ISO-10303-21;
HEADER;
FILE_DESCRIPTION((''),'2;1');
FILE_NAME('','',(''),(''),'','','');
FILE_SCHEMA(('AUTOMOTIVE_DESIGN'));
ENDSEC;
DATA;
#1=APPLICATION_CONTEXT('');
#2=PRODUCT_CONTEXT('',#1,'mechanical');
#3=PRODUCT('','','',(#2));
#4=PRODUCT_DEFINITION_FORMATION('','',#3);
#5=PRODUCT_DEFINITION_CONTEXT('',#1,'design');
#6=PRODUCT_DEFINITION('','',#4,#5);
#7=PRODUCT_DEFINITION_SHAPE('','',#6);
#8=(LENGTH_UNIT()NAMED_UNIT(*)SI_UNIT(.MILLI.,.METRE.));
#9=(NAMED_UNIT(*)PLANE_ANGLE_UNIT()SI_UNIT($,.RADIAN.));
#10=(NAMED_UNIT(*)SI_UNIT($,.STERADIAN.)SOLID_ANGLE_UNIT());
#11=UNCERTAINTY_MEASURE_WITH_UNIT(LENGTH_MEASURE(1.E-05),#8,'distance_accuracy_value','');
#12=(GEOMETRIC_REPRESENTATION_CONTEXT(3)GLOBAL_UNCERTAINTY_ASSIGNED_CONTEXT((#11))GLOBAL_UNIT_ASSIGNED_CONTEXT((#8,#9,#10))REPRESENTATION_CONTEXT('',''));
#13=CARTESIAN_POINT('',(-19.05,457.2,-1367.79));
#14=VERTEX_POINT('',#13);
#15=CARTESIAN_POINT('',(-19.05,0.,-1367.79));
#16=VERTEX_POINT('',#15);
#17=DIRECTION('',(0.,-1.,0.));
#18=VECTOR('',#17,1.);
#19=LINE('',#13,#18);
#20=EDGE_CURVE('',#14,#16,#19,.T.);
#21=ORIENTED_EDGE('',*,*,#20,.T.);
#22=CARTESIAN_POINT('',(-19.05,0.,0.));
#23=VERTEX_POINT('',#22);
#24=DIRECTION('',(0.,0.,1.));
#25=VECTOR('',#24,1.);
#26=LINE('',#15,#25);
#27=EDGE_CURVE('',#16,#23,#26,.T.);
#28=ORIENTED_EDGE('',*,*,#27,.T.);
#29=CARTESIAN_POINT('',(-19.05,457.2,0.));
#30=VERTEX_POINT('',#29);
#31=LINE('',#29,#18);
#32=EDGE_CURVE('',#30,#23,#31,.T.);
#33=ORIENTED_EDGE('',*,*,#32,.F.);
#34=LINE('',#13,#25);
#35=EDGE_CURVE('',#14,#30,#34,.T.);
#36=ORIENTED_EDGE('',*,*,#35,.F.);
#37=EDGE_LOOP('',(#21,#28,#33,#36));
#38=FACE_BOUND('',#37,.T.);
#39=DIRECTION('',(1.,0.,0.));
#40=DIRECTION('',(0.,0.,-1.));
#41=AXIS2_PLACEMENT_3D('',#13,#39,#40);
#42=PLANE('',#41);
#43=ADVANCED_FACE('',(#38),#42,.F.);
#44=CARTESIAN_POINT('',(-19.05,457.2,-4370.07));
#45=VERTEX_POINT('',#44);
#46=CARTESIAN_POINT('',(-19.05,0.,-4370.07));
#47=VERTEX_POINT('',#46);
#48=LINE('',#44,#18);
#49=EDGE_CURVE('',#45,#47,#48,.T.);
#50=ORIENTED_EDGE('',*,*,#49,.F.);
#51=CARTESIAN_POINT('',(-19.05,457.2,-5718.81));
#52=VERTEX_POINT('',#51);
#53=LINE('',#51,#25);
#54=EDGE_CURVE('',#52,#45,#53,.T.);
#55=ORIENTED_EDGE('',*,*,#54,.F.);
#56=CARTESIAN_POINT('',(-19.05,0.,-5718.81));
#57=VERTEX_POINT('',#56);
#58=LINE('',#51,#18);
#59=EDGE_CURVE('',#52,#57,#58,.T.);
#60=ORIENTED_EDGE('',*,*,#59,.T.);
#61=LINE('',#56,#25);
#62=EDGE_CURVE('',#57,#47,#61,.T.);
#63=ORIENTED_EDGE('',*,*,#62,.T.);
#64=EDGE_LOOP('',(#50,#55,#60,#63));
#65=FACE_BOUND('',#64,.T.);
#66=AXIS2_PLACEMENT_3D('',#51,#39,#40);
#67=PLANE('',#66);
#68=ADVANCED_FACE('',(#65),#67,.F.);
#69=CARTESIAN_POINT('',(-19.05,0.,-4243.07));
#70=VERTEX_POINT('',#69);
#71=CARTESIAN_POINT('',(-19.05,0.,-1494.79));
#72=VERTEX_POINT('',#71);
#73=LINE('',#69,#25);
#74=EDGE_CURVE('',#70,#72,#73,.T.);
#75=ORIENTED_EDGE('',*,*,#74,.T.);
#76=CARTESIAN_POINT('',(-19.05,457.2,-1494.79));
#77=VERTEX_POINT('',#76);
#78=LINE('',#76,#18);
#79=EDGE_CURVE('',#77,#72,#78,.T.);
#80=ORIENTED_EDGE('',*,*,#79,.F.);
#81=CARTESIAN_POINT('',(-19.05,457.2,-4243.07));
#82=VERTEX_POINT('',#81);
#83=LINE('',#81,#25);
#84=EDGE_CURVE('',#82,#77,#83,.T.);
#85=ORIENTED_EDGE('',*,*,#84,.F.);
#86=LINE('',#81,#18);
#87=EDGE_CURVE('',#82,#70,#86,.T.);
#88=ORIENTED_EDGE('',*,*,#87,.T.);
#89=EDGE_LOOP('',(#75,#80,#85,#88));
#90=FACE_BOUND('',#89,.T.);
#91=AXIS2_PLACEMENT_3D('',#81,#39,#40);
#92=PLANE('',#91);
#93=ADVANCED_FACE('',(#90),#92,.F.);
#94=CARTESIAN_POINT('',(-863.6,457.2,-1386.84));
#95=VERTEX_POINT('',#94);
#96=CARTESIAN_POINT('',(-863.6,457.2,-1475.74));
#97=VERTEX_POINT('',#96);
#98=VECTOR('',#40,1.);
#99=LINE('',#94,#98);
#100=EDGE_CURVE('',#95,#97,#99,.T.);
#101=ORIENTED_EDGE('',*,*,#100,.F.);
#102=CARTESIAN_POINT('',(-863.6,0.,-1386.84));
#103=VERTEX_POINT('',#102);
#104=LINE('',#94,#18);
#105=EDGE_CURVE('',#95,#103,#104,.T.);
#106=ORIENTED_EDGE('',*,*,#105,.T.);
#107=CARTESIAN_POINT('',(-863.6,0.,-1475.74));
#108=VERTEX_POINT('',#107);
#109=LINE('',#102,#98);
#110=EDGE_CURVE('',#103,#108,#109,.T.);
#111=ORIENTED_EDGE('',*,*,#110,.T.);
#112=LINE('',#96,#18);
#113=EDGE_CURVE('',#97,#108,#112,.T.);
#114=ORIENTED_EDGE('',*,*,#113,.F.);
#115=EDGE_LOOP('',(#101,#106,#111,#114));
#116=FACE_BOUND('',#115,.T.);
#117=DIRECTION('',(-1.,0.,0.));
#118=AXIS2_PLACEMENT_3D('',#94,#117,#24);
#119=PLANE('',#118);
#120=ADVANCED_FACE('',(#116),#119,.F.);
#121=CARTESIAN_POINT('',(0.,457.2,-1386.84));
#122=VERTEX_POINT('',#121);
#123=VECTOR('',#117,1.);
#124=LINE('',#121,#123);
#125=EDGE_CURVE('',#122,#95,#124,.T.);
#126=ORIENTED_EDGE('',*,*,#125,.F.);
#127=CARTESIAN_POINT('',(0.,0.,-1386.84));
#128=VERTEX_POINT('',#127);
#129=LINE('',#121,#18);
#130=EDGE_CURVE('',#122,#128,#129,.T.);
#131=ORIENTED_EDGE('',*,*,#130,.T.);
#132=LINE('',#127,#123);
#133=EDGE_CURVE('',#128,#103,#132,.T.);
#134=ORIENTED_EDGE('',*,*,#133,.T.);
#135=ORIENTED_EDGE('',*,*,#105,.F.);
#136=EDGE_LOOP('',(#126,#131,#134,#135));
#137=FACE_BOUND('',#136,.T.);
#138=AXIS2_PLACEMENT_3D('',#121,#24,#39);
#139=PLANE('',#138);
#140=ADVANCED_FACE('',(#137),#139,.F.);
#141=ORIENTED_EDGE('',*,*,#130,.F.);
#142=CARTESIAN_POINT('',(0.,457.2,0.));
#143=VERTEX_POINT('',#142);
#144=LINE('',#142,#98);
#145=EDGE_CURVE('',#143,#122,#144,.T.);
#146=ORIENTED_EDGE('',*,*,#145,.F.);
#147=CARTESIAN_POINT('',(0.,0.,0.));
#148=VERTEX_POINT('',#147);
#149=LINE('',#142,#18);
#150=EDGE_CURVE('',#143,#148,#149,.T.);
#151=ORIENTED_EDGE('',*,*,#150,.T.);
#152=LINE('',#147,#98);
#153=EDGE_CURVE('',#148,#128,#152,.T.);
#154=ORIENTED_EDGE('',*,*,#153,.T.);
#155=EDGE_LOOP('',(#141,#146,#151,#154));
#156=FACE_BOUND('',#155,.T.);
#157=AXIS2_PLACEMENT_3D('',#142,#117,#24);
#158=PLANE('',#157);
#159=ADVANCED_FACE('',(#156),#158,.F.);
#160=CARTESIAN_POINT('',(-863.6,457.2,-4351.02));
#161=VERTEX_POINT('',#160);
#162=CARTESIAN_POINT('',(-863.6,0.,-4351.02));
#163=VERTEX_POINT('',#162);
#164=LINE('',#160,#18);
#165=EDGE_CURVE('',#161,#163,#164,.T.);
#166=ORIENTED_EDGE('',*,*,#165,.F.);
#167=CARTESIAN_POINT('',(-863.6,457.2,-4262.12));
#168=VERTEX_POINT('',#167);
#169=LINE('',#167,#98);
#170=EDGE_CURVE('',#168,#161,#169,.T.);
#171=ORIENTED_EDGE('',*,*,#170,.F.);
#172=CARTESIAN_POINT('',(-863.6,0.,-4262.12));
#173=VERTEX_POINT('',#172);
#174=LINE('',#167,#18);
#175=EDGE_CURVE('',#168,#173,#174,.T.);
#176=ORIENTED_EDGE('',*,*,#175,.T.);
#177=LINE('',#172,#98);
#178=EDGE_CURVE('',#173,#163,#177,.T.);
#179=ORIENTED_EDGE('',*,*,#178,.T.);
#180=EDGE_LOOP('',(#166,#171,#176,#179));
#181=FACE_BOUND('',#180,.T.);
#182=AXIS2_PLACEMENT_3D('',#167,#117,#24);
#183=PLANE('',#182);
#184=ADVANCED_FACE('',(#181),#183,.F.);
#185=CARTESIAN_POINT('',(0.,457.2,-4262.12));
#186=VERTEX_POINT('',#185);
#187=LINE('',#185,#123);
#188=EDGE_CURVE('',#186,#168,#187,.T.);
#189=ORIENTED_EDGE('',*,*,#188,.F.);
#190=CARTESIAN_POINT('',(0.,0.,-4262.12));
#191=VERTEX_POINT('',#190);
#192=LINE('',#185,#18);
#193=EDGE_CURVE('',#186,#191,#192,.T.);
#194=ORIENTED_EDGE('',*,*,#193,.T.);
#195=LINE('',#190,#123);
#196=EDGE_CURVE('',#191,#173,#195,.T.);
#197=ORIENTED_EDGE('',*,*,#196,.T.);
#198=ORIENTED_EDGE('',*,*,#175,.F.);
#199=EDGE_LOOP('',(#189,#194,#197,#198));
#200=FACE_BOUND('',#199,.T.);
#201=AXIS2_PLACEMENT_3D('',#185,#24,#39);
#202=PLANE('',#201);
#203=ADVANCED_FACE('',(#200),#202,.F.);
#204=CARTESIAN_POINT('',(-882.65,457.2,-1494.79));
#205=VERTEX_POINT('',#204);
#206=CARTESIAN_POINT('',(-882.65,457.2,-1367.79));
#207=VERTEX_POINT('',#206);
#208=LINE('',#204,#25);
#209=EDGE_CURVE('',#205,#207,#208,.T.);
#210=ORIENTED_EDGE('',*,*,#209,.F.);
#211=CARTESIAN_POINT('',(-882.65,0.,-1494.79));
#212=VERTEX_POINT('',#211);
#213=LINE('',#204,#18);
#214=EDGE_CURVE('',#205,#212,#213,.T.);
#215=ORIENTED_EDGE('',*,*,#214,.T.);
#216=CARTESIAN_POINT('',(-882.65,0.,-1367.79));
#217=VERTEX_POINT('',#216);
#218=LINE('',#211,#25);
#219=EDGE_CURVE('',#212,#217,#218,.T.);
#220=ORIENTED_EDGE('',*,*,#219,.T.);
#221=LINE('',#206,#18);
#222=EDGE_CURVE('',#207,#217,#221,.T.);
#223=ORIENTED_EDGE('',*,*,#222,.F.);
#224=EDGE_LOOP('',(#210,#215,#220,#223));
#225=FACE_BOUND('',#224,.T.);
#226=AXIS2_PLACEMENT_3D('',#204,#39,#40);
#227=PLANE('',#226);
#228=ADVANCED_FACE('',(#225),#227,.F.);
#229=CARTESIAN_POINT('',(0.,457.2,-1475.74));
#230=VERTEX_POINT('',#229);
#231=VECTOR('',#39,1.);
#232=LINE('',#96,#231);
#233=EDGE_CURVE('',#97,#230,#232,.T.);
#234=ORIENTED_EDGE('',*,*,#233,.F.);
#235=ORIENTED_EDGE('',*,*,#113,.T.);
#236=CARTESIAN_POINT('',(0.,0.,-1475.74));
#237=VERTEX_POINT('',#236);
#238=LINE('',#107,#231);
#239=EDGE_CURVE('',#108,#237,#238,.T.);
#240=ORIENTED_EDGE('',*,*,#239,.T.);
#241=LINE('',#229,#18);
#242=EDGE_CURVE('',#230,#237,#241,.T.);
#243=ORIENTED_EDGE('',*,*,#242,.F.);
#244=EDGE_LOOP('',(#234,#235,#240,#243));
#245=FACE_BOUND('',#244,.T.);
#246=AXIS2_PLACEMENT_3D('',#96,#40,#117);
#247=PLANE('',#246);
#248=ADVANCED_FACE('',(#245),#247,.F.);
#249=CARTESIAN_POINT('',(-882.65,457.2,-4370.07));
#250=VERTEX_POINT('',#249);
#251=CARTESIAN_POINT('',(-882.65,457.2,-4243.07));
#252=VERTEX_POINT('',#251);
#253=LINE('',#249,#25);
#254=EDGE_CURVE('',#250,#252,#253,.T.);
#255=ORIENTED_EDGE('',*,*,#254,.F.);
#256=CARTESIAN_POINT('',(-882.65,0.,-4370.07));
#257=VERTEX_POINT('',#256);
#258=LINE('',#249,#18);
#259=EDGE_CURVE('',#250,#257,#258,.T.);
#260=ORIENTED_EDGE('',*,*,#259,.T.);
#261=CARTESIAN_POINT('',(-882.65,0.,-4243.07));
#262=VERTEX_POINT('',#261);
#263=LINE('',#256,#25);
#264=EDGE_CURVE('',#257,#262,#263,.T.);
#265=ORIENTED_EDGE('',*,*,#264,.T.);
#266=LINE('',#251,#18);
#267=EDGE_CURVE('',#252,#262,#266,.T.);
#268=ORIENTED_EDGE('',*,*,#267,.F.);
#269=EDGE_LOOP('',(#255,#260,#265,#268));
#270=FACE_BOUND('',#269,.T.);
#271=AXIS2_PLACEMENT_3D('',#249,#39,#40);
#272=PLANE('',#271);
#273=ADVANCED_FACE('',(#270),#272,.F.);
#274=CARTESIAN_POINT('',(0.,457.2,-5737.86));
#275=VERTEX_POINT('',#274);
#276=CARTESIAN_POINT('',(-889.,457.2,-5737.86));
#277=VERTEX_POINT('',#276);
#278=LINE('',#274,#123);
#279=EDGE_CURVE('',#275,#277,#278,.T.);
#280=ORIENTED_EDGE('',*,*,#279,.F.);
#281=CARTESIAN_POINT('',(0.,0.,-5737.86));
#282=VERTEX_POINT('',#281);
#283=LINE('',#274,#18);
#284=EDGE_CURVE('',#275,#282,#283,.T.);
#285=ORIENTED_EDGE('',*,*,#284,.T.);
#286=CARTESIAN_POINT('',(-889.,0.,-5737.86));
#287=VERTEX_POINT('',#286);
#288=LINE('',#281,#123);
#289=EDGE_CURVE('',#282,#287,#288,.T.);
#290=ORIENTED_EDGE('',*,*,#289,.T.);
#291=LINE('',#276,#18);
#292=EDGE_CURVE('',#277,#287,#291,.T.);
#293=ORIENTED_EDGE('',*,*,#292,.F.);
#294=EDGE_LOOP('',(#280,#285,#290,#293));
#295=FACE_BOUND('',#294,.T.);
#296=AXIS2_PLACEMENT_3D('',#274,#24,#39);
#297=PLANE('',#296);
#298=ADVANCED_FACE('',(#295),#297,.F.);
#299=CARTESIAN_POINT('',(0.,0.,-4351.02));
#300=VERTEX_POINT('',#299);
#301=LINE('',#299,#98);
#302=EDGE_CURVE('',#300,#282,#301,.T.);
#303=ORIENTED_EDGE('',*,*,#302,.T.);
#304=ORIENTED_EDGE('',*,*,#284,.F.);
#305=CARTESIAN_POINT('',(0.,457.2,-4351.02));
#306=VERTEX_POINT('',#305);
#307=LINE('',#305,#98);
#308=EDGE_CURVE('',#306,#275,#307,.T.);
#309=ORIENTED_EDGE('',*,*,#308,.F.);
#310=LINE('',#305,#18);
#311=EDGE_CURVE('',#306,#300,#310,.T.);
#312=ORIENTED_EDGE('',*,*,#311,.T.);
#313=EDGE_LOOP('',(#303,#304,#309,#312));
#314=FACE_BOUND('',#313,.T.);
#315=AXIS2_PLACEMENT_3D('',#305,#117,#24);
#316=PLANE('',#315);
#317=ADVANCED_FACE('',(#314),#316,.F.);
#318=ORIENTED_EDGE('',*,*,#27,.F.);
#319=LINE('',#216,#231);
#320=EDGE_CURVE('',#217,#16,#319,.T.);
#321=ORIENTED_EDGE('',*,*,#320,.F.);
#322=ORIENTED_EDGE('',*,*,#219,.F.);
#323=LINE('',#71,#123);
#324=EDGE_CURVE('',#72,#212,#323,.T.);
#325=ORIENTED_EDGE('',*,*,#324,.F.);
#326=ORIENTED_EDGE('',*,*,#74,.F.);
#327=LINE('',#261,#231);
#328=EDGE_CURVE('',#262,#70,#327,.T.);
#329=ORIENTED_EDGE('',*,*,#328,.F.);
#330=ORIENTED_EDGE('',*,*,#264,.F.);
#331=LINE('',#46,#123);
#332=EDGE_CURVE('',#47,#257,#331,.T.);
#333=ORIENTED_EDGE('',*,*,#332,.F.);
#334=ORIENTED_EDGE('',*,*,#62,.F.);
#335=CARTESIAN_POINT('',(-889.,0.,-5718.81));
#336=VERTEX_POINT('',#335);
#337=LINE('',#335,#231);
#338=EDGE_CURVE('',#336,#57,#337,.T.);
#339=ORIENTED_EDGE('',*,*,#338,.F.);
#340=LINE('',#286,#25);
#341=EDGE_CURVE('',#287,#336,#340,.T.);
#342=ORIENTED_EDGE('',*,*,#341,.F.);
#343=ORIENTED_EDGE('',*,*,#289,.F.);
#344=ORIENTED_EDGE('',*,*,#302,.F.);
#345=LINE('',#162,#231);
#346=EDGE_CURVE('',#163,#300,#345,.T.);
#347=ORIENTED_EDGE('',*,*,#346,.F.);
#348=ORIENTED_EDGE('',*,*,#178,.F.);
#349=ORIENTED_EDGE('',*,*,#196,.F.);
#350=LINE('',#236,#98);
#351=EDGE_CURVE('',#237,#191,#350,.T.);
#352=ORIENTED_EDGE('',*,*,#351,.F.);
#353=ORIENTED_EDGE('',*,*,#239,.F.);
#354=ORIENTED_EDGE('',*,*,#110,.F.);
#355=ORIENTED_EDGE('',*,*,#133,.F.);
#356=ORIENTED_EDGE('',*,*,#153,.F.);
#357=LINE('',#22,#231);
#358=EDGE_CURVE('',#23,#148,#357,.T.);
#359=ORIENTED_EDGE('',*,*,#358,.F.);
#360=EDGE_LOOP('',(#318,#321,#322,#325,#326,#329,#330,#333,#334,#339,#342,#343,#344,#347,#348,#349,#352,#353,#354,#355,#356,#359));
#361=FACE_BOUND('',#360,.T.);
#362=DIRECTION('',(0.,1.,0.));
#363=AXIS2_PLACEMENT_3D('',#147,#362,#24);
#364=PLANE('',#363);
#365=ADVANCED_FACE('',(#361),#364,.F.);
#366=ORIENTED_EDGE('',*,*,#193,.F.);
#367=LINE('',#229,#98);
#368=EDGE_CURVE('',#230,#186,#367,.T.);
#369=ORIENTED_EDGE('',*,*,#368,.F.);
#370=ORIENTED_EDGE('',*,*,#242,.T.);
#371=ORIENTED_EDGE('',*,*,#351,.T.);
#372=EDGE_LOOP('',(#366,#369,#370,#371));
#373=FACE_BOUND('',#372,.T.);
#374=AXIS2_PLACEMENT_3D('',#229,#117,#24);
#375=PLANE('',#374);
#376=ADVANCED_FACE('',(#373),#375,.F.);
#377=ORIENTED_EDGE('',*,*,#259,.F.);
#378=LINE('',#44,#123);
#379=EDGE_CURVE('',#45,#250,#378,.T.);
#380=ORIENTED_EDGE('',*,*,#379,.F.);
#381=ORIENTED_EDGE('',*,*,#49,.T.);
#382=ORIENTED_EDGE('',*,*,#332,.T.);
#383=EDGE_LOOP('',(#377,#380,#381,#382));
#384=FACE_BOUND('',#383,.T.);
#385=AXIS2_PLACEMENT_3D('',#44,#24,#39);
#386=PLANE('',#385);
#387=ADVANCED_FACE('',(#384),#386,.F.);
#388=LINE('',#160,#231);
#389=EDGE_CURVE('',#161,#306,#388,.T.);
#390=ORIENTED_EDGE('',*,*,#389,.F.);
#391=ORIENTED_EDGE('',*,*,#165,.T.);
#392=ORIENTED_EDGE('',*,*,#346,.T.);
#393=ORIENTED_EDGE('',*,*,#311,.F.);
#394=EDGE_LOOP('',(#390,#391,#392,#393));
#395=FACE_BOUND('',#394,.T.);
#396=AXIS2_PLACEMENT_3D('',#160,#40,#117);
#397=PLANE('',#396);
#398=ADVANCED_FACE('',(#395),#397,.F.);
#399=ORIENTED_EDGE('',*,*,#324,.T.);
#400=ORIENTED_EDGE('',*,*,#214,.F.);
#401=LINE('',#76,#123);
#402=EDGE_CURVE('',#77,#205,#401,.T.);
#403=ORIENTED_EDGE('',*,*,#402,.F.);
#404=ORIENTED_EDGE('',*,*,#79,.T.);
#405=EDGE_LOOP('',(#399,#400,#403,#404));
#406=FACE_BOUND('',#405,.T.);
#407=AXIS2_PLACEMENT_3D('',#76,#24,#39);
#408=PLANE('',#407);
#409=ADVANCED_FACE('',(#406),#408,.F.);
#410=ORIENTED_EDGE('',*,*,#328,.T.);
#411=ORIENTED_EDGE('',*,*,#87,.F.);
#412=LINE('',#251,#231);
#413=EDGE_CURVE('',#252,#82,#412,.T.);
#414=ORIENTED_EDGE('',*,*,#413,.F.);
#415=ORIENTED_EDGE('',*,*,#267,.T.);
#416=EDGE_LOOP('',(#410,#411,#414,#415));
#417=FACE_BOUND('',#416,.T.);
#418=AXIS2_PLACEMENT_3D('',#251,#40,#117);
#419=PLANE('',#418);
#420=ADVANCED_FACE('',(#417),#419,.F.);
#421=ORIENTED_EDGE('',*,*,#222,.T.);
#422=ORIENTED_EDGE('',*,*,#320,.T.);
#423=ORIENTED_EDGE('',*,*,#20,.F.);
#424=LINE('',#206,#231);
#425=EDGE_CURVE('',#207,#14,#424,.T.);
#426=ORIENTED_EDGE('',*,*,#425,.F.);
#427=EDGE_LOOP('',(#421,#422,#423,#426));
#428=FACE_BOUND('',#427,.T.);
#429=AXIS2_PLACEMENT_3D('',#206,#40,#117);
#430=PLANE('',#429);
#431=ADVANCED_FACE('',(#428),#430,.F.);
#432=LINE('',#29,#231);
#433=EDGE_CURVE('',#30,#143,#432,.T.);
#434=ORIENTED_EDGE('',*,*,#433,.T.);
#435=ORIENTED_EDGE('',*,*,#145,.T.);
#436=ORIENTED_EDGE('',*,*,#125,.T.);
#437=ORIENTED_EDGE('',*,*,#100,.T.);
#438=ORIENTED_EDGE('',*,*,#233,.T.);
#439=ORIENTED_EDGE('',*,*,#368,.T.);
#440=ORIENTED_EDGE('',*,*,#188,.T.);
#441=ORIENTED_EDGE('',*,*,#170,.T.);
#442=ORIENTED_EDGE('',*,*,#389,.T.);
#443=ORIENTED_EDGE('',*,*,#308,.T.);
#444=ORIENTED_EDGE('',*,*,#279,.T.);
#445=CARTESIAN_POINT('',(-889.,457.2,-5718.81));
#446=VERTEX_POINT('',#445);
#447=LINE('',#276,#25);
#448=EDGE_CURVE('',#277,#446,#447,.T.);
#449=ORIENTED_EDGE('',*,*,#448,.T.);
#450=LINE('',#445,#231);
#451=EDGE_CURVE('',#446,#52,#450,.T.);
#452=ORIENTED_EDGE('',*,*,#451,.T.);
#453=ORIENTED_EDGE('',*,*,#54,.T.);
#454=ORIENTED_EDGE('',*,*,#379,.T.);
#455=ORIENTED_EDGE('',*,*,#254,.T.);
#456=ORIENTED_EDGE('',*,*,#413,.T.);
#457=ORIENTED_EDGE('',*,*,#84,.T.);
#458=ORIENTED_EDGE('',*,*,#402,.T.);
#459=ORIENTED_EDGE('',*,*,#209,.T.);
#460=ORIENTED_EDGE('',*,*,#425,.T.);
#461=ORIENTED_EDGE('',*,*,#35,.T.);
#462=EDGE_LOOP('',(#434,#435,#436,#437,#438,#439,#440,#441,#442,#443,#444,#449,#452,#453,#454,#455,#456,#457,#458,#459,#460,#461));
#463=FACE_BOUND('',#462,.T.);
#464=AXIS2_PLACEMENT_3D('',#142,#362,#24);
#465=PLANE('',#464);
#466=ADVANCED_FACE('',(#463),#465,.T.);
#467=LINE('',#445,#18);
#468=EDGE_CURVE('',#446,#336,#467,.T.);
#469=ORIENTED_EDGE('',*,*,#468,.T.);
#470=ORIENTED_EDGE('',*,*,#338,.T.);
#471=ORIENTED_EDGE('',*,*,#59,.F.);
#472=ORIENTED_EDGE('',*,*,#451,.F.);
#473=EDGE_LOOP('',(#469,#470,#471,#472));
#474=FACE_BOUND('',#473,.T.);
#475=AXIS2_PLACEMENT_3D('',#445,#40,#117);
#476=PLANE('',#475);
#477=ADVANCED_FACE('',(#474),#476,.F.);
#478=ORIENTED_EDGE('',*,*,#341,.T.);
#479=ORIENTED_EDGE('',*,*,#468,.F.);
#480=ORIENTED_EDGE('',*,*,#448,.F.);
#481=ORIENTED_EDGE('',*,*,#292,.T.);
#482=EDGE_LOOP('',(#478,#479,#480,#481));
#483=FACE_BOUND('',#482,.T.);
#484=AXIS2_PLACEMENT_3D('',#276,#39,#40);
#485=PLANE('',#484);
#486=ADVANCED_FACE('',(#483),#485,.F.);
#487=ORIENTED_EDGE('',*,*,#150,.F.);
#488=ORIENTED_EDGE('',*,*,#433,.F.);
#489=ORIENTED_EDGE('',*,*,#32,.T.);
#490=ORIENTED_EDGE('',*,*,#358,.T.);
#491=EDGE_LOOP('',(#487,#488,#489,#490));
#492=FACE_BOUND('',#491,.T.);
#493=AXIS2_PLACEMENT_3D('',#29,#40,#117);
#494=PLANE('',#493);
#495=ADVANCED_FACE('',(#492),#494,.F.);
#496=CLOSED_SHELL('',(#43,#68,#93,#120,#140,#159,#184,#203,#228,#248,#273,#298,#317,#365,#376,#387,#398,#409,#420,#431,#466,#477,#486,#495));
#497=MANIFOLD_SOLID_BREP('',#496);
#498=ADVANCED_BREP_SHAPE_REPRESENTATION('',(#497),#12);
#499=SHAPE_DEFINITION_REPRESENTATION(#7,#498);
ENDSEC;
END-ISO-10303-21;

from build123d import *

# Parameters (mm, degrees)
BOSS_EXTRUDE1_DEPTH = 457.2


with BuildPart() as part:
    # Sketch1 → Boss-Extrude1 (new body)
    with BuildSketch(Plane(origin=(0, 0, 0), x_dir=(1, 0, 0), z_dir=(0, 1, 0))):
        Polygon((0, 0), (0, 1386.84), (-863.6, 1386.84), (-863.6, 1475.74), (0, 1475.74), (0, 4262.12), (-863.6, 4262.12), (-863.6, 4351.02), (0, 4351.02), (0, 5737.86), (-889, 5737.86), (-889, 5718.81), (-19.05, 5718.81), (-19.05, 4370.07), (-882.65, 4370.07), (-882.65, 4243.07), (-19.05, 4243.07), (-19.05, 1494.79), (-882.65, 1494.79), (-882.65, 1367.79), (-19.05, 1367.79), (-19.05, 0), align=None)
    extrude(amount=BOSS_EXTRUDE1_DEPTH)


solid = part.part
